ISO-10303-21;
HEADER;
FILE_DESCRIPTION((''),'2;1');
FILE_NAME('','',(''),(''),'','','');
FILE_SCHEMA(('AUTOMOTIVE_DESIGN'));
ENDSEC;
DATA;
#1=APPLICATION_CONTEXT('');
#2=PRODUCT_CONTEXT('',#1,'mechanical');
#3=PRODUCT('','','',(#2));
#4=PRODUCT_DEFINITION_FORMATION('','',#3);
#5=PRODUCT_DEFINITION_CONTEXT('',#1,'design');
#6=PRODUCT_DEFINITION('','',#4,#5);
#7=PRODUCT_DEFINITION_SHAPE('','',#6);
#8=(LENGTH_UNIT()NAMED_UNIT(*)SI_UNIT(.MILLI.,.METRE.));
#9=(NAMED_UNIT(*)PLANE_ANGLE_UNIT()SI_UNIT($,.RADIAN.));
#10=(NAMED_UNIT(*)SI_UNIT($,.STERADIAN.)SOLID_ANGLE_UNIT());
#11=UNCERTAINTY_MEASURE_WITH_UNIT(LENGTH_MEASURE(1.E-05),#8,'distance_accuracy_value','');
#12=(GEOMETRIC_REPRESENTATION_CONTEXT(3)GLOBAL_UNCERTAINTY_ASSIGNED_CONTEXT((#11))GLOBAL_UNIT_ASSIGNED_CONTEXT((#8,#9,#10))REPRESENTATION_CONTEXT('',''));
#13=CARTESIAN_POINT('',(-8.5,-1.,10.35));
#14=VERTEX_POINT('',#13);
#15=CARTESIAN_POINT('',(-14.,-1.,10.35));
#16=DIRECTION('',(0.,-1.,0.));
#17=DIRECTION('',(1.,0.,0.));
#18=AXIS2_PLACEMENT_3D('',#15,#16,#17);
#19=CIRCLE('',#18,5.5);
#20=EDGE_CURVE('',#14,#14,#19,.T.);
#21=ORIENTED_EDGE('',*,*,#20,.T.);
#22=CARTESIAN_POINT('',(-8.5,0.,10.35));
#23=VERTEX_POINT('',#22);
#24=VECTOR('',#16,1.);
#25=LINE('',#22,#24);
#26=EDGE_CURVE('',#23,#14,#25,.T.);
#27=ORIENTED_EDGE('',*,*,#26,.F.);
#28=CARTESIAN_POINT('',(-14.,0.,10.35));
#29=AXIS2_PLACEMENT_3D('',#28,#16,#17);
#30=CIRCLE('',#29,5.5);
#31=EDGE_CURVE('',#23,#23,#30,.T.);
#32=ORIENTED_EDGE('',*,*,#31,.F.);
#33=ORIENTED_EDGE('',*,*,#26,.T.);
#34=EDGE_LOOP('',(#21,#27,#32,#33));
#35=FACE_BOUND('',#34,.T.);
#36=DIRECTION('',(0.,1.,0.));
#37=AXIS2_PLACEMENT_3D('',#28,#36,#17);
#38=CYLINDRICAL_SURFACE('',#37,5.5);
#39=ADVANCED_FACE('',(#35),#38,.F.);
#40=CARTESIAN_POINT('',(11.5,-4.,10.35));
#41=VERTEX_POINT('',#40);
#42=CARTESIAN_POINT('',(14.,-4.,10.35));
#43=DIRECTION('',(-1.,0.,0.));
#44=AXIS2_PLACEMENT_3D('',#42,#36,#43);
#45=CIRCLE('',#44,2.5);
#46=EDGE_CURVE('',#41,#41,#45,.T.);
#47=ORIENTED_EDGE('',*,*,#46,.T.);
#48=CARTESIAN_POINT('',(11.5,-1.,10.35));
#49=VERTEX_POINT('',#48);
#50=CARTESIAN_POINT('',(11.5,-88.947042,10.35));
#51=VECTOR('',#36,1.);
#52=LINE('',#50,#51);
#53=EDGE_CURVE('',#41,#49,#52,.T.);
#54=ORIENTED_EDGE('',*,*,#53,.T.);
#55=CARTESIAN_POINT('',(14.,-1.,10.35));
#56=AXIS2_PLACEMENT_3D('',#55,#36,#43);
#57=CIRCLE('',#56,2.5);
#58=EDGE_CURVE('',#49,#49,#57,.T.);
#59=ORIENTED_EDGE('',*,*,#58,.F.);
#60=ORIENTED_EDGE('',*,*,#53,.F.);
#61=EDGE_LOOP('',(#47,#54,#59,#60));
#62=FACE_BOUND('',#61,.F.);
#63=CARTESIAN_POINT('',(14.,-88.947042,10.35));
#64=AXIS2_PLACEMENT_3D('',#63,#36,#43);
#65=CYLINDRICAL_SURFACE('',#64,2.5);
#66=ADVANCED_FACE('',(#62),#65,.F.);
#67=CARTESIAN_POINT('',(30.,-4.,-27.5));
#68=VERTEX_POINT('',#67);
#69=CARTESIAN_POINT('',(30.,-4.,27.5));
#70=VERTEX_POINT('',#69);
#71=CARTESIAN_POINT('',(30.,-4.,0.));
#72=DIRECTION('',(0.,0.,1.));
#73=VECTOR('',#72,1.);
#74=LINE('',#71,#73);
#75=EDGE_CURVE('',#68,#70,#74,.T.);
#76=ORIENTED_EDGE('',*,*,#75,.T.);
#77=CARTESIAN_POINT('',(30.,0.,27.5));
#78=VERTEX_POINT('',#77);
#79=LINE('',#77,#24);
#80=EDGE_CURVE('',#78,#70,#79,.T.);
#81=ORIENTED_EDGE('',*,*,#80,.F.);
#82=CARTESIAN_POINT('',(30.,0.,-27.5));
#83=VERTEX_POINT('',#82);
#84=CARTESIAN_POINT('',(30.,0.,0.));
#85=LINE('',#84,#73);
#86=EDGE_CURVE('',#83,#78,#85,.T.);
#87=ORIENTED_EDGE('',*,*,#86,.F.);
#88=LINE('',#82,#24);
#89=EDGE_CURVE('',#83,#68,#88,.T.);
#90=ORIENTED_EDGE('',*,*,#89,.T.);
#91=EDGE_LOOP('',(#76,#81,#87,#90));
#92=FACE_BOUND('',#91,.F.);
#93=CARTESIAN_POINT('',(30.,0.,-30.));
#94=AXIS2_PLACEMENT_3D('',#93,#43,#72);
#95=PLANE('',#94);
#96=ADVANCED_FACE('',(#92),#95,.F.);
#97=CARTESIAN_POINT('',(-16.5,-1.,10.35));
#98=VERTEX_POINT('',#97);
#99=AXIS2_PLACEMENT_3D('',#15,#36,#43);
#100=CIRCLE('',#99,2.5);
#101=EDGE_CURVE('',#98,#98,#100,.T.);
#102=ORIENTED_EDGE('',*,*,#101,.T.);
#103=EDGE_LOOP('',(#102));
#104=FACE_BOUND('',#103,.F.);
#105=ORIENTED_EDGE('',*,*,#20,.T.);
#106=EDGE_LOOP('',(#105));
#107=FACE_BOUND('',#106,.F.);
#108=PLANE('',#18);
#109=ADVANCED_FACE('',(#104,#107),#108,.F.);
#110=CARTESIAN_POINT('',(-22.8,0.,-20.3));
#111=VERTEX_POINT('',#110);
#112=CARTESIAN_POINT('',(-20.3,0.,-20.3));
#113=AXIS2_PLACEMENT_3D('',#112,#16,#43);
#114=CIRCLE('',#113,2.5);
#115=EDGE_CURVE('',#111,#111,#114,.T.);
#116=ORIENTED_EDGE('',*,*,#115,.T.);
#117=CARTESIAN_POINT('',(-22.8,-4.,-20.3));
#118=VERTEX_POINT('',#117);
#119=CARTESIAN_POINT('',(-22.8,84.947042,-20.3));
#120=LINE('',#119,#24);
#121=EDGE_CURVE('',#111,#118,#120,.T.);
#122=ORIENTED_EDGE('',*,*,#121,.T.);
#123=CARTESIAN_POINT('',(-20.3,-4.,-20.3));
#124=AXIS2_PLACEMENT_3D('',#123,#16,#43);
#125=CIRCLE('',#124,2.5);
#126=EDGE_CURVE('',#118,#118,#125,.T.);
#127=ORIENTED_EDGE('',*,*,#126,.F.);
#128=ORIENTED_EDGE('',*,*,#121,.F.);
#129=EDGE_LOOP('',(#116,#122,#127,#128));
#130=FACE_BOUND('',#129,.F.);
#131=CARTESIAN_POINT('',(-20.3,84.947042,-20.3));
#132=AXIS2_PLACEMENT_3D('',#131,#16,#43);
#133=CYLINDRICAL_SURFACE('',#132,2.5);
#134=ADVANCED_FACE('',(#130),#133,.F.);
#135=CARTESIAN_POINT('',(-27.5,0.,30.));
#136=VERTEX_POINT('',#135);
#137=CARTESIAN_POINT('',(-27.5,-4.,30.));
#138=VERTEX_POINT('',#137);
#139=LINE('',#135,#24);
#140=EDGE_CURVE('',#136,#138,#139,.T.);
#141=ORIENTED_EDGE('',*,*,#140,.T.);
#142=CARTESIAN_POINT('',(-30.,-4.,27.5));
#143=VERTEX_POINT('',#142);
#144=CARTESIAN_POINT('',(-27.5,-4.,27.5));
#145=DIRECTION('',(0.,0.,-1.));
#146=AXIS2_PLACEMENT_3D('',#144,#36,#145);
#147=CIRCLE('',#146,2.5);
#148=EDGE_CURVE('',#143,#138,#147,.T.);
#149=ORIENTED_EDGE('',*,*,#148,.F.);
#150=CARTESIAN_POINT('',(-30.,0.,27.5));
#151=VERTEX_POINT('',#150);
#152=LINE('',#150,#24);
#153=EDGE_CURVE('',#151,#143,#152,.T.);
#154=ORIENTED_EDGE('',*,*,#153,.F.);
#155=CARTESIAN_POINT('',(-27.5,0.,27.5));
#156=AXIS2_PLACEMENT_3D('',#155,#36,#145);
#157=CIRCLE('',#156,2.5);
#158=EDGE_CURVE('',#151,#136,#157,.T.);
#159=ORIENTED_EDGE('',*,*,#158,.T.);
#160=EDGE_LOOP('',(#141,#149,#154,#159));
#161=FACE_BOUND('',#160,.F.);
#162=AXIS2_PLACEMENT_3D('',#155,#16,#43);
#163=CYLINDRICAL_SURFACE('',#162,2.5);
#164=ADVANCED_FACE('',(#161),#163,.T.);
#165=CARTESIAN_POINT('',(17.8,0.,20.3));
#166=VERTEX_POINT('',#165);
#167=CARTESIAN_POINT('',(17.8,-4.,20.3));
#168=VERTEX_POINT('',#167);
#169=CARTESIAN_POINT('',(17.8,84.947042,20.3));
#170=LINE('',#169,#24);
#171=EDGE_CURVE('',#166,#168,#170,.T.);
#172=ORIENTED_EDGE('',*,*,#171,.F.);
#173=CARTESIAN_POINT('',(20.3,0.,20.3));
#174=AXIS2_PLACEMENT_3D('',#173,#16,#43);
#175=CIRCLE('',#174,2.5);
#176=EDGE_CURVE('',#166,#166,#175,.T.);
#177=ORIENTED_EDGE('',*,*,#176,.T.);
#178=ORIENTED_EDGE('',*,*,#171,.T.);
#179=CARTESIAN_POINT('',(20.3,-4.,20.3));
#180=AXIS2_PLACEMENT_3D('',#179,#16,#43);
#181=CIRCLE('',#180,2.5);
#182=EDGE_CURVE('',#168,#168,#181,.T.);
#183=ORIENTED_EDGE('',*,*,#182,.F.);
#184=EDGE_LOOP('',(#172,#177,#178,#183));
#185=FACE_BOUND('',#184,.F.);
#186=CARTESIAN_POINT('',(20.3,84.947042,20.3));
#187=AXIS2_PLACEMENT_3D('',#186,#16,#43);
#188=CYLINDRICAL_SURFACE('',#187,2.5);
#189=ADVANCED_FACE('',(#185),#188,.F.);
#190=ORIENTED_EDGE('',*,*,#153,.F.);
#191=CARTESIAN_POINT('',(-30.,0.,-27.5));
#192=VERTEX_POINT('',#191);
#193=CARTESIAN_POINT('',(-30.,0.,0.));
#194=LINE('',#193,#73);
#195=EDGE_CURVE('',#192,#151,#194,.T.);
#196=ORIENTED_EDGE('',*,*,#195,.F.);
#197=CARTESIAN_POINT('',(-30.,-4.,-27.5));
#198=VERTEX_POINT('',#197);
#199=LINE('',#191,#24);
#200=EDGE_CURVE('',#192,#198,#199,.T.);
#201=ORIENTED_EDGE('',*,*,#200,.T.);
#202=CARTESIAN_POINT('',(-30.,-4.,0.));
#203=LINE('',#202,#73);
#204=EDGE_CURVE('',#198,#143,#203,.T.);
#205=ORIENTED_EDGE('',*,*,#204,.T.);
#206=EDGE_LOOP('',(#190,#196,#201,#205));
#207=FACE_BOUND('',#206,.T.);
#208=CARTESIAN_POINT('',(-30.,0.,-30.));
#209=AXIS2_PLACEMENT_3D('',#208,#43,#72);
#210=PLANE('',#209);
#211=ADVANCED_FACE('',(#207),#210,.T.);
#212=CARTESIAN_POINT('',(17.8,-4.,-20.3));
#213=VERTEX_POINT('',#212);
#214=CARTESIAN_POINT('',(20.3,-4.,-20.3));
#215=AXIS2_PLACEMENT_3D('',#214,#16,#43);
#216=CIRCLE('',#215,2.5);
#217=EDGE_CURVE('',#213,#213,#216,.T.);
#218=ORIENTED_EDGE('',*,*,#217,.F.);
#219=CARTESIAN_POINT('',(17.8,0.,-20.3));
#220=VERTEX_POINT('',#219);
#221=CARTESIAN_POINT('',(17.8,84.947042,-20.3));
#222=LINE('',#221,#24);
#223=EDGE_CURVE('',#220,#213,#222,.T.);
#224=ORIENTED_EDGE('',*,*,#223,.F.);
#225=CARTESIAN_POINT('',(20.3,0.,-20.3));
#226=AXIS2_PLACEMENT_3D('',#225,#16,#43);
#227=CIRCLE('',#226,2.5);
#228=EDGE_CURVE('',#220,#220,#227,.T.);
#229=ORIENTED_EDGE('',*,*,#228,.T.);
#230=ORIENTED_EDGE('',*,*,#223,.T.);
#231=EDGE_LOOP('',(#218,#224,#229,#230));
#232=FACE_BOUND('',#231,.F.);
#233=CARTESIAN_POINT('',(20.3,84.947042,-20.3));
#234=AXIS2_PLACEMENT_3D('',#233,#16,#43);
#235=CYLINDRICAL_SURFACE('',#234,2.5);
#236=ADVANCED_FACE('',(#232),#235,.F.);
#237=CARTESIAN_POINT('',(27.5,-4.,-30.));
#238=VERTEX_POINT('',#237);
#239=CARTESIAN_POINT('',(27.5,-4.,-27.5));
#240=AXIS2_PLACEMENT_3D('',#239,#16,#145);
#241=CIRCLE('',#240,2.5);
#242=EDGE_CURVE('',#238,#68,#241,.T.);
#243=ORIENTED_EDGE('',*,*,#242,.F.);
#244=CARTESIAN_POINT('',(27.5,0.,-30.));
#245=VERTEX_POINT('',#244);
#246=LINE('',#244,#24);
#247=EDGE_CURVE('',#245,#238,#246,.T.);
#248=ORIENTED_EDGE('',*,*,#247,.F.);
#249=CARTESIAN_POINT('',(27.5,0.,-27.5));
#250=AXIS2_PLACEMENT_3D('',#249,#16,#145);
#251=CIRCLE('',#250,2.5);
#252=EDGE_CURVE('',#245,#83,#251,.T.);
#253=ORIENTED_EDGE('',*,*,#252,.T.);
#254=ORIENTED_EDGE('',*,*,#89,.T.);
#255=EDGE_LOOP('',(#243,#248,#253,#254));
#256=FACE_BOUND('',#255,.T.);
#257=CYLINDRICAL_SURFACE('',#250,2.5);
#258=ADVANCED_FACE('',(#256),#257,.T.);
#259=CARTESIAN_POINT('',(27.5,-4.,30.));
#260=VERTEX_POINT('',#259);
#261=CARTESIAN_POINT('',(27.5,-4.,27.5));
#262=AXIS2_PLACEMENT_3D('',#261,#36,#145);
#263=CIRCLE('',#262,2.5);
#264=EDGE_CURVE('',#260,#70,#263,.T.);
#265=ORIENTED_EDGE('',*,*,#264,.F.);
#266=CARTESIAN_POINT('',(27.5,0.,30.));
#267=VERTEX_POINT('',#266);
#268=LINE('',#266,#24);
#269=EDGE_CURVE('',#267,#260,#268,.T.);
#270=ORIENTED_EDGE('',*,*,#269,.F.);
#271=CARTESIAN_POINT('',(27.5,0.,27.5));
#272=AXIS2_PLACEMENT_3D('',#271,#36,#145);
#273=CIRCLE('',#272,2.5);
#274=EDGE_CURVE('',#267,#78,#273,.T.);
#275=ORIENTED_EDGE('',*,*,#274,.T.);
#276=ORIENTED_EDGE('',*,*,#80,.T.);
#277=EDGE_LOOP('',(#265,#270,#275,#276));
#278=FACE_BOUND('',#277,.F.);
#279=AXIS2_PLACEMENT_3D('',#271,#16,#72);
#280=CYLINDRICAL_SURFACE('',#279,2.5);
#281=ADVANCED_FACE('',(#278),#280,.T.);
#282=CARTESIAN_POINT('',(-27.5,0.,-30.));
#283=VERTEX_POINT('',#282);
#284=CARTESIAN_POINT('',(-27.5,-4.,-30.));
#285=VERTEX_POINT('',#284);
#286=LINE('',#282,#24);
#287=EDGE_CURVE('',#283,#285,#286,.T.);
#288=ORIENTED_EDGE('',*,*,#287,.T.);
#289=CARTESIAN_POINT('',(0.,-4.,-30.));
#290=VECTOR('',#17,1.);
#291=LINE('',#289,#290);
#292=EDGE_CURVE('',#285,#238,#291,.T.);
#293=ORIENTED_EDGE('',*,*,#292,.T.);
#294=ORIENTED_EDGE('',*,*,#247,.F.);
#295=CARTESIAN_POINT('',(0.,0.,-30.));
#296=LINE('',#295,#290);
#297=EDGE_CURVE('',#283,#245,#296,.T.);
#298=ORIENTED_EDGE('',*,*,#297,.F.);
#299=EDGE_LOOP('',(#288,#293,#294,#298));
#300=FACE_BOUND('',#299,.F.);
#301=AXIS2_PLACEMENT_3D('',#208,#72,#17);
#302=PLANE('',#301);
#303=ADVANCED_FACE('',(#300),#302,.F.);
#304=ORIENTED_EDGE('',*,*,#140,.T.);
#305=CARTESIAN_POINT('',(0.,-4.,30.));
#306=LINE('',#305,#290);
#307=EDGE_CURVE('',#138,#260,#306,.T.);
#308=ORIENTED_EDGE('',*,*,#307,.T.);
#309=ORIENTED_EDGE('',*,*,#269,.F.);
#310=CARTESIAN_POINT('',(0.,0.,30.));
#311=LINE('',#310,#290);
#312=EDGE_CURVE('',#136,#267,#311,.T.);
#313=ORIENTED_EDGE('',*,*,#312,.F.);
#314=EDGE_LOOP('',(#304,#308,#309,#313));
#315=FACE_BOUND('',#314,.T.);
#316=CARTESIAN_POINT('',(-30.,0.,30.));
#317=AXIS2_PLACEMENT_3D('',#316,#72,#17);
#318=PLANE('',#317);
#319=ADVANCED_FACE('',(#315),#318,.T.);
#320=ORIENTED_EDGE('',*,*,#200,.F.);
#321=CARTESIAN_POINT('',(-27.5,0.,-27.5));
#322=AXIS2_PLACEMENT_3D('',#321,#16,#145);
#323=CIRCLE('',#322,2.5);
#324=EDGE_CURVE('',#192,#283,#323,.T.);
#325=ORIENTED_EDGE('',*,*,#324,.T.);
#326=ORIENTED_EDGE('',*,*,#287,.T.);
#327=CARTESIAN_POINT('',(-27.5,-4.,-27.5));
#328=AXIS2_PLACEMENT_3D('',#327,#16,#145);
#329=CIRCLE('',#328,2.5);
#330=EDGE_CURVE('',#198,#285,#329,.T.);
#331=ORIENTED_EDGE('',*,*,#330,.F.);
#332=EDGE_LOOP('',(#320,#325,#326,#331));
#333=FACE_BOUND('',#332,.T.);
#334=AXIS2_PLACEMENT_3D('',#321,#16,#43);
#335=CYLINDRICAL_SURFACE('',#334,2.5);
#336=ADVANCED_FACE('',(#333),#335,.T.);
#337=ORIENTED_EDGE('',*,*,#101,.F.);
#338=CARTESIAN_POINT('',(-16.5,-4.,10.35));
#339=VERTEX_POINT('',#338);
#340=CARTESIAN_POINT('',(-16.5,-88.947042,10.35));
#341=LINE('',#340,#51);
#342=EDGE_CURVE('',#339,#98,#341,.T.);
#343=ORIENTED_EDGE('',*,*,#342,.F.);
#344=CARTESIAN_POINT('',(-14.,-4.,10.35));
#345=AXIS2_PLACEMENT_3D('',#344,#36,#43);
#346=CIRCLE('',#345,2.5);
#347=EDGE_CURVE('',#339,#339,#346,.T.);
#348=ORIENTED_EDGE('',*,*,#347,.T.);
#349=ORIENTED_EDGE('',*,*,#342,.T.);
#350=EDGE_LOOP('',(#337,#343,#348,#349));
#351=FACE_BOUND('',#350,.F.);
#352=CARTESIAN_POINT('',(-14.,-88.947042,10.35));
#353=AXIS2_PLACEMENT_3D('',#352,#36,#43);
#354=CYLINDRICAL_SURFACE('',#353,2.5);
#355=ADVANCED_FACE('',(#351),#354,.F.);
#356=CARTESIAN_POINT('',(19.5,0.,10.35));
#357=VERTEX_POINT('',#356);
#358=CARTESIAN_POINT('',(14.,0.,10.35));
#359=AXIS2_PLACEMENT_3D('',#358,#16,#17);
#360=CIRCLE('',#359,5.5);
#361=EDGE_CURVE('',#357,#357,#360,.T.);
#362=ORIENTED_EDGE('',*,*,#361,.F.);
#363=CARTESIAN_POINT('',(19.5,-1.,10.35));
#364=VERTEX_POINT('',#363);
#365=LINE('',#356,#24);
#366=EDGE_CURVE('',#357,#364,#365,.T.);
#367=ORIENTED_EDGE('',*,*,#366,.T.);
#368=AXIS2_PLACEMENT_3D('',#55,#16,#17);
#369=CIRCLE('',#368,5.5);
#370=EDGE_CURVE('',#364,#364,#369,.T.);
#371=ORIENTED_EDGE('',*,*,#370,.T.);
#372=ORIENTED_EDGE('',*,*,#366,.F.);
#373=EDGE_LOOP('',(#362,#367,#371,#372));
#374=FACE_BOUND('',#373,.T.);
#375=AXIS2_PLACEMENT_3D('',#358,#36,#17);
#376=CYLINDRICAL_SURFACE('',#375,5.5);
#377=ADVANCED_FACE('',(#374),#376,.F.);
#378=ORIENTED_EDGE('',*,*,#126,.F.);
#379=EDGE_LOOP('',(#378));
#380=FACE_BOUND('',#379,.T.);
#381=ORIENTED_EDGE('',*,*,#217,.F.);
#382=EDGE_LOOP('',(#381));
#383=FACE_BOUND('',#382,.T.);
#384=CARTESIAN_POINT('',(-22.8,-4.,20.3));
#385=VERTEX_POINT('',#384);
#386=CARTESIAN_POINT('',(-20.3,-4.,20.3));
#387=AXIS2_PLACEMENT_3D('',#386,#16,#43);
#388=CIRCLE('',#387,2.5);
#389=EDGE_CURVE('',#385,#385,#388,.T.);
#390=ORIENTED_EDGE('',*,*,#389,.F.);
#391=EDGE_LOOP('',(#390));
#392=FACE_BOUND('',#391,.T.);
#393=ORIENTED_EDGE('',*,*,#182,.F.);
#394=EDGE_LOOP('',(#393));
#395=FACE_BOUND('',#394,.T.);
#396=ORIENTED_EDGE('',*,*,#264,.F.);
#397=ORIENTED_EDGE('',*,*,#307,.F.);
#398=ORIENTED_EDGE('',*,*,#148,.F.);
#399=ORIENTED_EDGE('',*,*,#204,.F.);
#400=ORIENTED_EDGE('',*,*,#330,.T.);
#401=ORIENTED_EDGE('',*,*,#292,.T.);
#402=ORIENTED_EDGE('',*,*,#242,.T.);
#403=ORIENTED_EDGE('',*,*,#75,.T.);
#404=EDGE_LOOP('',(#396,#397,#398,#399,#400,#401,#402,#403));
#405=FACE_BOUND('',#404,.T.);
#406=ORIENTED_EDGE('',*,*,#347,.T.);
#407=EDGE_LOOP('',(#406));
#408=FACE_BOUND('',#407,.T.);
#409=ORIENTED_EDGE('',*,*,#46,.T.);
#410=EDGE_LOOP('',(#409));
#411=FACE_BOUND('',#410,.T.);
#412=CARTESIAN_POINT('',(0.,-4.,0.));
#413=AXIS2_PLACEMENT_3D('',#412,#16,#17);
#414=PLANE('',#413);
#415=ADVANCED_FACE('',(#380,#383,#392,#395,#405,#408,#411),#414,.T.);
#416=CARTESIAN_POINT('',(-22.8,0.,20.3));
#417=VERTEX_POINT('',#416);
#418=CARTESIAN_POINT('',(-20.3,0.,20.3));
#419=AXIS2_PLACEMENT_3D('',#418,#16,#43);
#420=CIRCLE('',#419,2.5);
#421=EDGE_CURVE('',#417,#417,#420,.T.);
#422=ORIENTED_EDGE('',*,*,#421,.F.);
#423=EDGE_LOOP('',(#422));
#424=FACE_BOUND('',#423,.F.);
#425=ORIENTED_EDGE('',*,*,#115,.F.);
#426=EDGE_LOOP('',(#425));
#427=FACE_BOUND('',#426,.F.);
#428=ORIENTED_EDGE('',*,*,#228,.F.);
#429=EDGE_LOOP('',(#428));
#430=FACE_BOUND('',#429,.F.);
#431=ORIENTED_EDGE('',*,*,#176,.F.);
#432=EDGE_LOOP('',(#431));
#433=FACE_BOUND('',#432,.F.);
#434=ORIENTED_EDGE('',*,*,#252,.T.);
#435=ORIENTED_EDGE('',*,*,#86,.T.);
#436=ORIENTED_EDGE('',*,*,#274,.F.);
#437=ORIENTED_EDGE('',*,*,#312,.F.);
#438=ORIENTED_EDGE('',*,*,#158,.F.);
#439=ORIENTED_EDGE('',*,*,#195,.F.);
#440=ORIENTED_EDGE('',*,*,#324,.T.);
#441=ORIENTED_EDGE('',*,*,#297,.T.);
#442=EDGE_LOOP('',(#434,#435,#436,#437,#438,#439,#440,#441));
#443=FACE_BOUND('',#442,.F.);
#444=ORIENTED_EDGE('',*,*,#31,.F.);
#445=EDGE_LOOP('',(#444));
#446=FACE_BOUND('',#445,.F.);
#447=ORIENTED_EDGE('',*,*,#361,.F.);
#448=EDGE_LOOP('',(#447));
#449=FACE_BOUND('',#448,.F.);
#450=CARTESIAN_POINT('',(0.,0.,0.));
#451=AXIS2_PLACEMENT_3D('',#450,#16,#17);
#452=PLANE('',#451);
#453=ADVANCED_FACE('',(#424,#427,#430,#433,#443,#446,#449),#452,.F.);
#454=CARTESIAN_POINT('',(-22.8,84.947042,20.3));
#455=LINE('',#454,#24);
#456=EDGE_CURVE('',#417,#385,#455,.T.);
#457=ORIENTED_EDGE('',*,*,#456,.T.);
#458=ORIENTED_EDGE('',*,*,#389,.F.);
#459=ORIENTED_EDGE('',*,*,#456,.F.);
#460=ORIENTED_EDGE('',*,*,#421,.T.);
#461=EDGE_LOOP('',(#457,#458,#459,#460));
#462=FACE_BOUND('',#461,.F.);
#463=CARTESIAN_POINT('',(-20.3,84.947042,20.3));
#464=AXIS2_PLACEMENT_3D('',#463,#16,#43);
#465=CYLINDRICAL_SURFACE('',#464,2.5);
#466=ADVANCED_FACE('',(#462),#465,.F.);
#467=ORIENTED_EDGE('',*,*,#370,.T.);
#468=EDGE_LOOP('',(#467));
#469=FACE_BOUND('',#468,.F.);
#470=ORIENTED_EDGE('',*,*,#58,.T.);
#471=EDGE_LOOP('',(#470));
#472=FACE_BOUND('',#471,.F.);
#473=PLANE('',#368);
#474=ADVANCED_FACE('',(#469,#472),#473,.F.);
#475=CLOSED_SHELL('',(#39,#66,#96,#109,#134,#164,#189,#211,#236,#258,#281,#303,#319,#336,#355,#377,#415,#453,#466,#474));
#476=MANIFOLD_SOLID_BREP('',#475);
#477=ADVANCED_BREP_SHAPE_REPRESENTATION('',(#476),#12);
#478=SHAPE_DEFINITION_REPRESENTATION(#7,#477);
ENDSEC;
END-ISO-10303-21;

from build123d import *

# Parameters (mm, degrees)
F0_W     = 60
F0_H     = 60
F1_DEPTH = 4
F2_D     = 5
F4_D     = 5
F5_R     = 5.5
F6_DEPTH = 1
F7_R     = 2.5


with BuildPart() as f1:
    # F0 (on Front) → F1 (new body)
    with BuildSketch(Plane.XZ):
        Rectangle(F0_W, F0_H)
    extrude(amount=F1_DEPTH)

    # F2 (through all)
    with Locations(Plane(origin=(0, 0, 0), x_dir=(1, 0, 0), z_dir=(0, 1, 0))):
        with Locations((-20.3, -20.3), (20.3, -20.3), (20.3, 20.3), (-20.3, 20.3)):
            Hole(F2_D / 2)

    # F4 (through all)
    with Locations(Plane.XZ.offset(4)):
        with Locations((-14, 10.35), (14, 10.35)):
            Hole(F4_D / 2)

    # F5 (on face) → F6 (cut)
    with BuildSketch(Plane.XZ):
        with Locations((14, 10.35)):
            Circle(F5_R)
        with Locations((-14, 10.35)):
            Circle(F5_R)
    extrude(amount=F6_DEPTH, mode=Mode.SUBTRACT)

    # F7
    f7_edges = [f1.edges().sort_by_distance(p)[0] for p in [
        (30, -2, 30),
        (30, -2, -30),
        (-30, -2, -30),
        (-30, -2, 30),
    ]]
    fillet(f7_edges, radius=F7_R)


solid = f1.part
